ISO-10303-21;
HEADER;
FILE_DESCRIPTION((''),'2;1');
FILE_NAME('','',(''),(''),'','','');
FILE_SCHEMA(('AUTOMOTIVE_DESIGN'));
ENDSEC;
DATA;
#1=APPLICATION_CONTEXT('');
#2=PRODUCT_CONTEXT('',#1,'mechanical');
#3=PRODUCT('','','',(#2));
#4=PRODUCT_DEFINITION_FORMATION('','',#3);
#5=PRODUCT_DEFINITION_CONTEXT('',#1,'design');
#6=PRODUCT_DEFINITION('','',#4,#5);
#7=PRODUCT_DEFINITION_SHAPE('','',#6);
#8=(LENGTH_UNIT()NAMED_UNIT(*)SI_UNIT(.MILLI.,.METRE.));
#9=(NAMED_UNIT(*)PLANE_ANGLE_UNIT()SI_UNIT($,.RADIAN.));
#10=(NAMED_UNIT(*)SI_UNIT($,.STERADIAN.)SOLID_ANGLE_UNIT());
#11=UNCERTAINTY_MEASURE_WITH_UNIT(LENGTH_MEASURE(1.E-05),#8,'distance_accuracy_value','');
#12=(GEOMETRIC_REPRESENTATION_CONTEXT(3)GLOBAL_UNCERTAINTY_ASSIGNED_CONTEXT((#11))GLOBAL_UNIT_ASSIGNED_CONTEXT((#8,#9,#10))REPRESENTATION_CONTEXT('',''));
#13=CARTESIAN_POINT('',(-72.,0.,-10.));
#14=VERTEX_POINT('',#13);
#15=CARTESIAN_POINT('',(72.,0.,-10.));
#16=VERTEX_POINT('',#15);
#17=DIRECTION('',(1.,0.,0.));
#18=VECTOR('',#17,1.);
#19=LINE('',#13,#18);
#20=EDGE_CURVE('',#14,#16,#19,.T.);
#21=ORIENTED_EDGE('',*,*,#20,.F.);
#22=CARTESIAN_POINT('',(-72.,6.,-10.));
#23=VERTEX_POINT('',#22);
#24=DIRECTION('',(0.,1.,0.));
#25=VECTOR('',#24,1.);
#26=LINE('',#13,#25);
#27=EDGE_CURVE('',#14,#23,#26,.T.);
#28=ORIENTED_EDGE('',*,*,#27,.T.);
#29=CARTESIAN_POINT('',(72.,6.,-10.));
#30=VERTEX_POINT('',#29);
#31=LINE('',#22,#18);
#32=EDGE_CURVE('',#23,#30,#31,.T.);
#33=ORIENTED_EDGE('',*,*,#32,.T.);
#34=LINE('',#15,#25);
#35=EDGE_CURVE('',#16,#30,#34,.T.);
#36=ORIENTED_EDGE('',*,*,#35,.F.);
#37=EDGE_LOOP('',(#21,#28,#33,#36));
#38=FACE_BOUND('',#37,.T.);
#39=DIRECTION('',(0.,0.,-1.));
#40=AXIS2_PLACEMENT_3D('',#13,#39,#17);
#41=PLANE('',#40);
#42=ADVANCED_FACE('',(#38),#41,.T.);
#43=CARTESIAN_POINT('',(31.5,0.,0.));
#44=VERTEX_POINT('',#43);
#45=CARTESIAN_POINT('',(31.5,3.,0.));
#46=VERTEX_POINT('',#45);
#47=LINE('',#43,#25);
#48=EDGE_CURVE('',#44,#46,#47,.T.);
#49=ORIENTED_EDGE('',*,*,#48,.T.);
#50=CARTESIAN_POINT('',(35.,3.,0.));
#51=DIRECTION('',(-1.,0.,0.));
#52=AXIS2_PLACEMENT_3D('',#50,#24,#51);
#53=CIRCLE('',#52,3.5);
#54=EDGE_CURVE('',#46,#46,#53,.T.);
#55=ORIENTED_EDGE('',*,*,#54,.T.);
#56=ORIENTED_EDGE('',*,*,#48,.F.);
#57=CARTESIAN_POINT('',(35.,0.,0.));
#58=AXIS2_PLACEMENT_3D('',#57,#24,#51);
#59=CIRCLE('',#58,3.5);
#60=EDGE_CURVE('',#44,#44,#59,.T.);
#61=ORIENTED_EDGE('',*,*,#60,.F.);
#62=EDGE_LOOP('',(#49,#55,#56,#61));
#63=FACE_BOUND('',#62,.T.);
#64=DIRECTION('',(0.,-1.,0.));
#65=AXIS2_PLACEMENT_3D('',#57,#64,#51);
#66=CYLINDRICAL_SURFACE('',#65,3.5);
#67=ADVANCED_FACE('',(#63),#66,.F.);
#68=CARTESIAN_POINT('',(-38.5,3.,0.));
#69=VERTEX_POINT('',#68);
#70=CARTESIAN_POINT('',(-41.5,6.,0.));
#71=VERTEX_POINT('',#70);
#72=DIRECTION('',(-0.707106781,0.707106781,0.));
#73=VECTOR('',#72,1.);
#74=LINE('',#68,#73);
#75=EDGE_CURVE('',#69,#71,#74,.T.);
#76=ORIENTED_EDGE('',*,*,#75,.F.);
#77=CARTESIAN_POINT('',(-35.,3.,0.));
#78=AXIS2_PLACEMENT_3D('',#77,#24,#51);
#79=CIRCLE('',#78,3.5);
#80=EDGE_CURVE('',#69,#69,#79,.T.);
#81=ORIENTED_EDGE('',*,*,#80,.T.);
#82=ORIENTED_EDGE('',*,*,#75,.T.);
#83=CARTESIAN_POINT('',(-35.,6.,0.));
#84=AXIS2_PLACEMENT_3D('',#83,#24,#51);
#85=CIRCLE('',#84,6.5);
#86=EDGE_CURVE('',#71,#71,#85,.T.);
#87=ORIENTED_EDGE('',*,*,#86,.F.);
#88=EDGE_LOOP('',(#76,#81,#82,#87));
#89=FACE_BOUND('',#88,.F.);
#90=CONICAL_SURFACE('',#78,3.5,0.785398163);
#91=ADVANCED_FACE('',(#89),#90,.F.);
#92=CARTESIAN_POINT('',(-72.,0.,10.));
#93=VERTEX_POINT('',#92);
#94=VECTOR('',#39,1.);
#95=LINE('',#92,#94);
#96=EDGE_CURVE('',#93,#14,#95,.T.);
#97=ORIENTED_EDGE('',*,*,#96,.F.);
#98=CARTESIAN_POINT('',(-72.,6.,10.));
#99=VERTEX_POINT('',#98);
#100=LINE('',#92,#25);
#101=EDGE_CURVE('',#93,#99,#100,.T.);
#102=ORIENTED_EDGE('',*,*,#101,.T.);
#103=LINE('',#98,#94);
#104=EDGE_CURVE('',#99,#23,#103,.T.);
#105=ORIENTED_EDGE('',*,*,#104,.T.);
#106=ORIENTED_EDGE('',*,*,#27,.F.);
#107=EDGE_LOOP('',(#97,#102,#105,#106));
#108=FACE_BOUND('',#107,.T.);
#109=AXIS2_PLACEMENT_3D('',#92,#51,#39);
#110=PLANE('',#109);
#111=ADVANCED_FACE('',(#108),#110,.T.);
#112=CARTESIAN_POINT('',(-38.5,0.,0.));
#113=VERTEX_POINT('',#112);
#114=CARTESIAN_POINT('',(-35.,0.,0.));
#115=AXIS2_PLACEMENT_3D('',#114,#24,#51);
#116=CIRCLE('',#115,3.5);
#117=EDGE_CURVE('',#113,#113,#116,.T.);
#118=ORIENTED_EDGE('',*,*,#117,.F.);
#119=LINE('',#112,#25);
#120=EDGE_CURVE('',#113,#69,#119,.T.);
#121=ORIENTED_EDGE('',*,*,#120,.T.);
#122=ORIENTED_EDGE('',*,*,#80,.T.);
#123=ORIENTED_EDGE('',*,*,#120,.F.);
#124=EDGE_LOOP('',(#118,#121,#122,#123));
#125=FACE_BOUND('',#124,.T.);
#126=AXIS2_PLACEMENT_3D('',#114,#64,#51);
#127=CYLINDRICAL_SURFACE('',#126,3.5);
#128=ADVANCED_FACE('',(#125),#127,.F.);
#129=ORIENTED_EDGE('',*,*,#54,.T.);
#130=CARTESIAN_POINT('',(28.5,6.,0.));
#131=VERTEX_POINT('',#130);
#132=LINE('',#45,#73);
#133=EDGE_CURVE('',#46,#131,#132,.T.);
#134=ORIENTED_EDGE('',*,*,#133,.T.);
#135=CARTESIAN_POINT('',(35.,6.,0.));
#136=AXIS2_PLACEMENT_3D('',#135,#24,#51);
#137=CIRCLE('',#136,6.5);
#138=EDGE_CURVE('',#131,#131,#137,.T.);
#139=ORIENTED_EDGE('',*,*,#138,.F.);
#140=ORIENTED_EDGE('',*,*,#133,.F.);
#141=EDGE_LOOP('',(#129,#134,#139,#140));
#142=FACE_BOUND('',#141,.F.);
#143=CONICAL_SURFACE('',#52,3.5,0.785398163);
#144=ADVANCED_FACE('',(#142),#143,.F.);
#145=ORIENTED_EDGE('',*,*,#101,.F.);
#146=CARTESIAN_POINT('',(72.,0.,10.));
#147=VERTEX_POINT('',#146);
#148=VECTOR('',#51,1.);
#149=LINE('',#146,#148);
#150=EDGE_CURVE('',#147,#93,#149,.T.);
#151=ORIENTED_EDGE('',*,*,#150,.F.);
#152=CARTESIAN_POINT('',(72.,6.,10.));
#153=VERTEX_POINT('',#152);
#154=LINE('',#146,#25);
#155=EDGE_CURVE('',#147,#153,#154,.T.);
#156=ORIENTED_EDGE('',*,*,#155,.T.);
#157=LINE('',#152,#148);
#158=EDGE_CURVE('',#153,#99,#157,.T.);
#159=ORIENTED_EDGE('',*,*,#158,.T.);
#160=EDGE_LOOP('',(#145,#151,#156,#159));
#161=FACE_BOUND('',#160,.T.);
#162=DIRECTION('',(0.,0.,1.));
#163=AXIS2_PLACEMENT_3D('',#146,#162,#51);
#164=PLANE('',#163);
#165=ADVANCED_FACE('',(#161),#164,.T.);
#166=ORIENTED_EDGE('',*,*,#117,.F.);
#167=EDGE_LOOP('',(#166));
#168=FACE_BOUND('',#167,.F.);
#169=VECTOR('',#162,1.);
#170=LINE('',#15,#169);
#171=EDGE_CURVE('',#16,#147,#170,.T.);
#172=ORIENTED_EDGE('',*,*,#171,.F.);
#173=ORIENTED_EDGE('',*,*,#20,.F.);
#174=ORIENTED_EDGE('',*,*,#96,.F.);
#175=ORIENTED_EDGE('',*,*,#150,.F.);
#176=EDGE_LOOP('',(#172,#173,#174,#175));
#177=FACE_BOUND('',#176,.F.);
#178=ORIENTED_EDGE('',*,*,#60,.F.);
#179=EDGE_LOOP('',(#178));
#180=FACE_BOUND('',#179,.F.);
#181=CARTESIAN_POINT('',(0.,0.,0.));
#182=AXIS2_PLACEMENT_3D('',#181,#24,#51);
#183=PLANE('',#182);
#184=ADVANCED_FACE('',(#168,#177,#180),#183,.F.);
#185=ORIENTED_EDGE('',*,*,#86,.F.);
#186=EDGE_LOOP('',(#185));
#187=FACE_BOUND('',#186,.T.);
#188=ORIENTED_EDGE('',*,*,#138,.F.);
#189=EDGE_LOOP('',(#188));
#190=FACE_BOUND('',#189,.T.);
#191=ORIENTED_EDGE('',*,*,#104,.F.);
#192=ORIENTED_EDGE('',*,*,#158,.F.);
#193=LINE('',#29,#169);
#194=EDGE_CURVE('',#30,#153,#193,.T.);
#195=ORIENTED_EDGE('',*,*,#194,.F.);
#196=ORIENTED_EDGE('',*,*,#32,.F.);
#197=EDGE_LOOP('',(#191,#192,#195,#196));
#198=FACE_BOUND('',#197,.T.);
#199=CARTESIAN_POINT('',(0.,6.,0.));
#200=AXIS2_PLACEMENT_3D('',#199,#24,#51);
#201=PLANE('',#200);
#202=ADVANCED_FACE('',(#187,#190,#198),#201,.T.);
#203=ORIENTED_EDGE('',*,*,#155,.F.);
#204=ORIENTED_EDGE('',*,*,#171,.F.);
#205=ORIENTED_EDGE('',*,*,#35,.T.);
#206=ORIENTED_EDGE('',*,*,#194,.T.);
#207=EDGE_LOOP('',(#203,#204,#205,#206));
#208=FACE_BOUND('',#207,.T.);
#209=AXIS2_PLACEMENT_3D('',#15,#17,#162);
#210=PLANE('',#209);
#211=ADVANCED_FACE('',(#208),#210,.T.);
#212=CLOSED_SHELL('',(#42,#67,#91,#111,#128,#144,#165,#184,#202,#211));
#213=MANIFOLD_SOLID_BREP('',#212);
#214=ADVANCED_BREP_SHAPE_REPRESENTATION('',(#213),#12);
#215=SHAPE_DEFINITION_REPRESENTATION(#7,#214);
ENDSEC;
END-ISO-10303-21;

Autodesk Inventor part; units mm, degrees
ref_plane "YZ Plane" through (0, 0, 0) normal (1, 0, 0) x (0, 1, 0)
ref_plane "XZ Plane" through (0, 0, 0) normal (0, 1, 0) x (-1, 0, 0)
ref_plane "XY Plane" through (0, 0, 0) normal (0, 0, 1) x (1, 0, 0)
sketch "Sketch1" plane through (0, 0, 0) normal (0, 1, 0) x (-1, 0, 0)
  line L0 (72, -10) -> (-72, -10)
  line L1 (-72, -10) -> (-72, 10)
  line L2 (-72, 10) -> (72, 10)
  line L3 (72, 10) -> (72, -10)
  circle A0 centre (35, 0) radius 3.5
  circle A1 centre (-35, 0) radius 3.5
  point P0 (0, 0)
  dimension "d0" = 144
  dimension "d1" = 20
  dimension "d2" = 72
  dimension "d3" = 10
  dimension "d4" = 35
  dimension "d5" = 35
  dimension "d6" = 7
  dimension "d7" = 70
extrude "Extrusion1" add sketch "Sketch1" along normal blind 6
chamfer "Chamfer1" distance 3 angle 45 2 edges at (-31.5, 6, 0) (38.5, 6, 0)
equation "\"d2\" = 0.5 * d0"
equation "\"d3\" = 0.5 * d1"
properties part number "Parte5-Placa" material "Steel, Carbon"
